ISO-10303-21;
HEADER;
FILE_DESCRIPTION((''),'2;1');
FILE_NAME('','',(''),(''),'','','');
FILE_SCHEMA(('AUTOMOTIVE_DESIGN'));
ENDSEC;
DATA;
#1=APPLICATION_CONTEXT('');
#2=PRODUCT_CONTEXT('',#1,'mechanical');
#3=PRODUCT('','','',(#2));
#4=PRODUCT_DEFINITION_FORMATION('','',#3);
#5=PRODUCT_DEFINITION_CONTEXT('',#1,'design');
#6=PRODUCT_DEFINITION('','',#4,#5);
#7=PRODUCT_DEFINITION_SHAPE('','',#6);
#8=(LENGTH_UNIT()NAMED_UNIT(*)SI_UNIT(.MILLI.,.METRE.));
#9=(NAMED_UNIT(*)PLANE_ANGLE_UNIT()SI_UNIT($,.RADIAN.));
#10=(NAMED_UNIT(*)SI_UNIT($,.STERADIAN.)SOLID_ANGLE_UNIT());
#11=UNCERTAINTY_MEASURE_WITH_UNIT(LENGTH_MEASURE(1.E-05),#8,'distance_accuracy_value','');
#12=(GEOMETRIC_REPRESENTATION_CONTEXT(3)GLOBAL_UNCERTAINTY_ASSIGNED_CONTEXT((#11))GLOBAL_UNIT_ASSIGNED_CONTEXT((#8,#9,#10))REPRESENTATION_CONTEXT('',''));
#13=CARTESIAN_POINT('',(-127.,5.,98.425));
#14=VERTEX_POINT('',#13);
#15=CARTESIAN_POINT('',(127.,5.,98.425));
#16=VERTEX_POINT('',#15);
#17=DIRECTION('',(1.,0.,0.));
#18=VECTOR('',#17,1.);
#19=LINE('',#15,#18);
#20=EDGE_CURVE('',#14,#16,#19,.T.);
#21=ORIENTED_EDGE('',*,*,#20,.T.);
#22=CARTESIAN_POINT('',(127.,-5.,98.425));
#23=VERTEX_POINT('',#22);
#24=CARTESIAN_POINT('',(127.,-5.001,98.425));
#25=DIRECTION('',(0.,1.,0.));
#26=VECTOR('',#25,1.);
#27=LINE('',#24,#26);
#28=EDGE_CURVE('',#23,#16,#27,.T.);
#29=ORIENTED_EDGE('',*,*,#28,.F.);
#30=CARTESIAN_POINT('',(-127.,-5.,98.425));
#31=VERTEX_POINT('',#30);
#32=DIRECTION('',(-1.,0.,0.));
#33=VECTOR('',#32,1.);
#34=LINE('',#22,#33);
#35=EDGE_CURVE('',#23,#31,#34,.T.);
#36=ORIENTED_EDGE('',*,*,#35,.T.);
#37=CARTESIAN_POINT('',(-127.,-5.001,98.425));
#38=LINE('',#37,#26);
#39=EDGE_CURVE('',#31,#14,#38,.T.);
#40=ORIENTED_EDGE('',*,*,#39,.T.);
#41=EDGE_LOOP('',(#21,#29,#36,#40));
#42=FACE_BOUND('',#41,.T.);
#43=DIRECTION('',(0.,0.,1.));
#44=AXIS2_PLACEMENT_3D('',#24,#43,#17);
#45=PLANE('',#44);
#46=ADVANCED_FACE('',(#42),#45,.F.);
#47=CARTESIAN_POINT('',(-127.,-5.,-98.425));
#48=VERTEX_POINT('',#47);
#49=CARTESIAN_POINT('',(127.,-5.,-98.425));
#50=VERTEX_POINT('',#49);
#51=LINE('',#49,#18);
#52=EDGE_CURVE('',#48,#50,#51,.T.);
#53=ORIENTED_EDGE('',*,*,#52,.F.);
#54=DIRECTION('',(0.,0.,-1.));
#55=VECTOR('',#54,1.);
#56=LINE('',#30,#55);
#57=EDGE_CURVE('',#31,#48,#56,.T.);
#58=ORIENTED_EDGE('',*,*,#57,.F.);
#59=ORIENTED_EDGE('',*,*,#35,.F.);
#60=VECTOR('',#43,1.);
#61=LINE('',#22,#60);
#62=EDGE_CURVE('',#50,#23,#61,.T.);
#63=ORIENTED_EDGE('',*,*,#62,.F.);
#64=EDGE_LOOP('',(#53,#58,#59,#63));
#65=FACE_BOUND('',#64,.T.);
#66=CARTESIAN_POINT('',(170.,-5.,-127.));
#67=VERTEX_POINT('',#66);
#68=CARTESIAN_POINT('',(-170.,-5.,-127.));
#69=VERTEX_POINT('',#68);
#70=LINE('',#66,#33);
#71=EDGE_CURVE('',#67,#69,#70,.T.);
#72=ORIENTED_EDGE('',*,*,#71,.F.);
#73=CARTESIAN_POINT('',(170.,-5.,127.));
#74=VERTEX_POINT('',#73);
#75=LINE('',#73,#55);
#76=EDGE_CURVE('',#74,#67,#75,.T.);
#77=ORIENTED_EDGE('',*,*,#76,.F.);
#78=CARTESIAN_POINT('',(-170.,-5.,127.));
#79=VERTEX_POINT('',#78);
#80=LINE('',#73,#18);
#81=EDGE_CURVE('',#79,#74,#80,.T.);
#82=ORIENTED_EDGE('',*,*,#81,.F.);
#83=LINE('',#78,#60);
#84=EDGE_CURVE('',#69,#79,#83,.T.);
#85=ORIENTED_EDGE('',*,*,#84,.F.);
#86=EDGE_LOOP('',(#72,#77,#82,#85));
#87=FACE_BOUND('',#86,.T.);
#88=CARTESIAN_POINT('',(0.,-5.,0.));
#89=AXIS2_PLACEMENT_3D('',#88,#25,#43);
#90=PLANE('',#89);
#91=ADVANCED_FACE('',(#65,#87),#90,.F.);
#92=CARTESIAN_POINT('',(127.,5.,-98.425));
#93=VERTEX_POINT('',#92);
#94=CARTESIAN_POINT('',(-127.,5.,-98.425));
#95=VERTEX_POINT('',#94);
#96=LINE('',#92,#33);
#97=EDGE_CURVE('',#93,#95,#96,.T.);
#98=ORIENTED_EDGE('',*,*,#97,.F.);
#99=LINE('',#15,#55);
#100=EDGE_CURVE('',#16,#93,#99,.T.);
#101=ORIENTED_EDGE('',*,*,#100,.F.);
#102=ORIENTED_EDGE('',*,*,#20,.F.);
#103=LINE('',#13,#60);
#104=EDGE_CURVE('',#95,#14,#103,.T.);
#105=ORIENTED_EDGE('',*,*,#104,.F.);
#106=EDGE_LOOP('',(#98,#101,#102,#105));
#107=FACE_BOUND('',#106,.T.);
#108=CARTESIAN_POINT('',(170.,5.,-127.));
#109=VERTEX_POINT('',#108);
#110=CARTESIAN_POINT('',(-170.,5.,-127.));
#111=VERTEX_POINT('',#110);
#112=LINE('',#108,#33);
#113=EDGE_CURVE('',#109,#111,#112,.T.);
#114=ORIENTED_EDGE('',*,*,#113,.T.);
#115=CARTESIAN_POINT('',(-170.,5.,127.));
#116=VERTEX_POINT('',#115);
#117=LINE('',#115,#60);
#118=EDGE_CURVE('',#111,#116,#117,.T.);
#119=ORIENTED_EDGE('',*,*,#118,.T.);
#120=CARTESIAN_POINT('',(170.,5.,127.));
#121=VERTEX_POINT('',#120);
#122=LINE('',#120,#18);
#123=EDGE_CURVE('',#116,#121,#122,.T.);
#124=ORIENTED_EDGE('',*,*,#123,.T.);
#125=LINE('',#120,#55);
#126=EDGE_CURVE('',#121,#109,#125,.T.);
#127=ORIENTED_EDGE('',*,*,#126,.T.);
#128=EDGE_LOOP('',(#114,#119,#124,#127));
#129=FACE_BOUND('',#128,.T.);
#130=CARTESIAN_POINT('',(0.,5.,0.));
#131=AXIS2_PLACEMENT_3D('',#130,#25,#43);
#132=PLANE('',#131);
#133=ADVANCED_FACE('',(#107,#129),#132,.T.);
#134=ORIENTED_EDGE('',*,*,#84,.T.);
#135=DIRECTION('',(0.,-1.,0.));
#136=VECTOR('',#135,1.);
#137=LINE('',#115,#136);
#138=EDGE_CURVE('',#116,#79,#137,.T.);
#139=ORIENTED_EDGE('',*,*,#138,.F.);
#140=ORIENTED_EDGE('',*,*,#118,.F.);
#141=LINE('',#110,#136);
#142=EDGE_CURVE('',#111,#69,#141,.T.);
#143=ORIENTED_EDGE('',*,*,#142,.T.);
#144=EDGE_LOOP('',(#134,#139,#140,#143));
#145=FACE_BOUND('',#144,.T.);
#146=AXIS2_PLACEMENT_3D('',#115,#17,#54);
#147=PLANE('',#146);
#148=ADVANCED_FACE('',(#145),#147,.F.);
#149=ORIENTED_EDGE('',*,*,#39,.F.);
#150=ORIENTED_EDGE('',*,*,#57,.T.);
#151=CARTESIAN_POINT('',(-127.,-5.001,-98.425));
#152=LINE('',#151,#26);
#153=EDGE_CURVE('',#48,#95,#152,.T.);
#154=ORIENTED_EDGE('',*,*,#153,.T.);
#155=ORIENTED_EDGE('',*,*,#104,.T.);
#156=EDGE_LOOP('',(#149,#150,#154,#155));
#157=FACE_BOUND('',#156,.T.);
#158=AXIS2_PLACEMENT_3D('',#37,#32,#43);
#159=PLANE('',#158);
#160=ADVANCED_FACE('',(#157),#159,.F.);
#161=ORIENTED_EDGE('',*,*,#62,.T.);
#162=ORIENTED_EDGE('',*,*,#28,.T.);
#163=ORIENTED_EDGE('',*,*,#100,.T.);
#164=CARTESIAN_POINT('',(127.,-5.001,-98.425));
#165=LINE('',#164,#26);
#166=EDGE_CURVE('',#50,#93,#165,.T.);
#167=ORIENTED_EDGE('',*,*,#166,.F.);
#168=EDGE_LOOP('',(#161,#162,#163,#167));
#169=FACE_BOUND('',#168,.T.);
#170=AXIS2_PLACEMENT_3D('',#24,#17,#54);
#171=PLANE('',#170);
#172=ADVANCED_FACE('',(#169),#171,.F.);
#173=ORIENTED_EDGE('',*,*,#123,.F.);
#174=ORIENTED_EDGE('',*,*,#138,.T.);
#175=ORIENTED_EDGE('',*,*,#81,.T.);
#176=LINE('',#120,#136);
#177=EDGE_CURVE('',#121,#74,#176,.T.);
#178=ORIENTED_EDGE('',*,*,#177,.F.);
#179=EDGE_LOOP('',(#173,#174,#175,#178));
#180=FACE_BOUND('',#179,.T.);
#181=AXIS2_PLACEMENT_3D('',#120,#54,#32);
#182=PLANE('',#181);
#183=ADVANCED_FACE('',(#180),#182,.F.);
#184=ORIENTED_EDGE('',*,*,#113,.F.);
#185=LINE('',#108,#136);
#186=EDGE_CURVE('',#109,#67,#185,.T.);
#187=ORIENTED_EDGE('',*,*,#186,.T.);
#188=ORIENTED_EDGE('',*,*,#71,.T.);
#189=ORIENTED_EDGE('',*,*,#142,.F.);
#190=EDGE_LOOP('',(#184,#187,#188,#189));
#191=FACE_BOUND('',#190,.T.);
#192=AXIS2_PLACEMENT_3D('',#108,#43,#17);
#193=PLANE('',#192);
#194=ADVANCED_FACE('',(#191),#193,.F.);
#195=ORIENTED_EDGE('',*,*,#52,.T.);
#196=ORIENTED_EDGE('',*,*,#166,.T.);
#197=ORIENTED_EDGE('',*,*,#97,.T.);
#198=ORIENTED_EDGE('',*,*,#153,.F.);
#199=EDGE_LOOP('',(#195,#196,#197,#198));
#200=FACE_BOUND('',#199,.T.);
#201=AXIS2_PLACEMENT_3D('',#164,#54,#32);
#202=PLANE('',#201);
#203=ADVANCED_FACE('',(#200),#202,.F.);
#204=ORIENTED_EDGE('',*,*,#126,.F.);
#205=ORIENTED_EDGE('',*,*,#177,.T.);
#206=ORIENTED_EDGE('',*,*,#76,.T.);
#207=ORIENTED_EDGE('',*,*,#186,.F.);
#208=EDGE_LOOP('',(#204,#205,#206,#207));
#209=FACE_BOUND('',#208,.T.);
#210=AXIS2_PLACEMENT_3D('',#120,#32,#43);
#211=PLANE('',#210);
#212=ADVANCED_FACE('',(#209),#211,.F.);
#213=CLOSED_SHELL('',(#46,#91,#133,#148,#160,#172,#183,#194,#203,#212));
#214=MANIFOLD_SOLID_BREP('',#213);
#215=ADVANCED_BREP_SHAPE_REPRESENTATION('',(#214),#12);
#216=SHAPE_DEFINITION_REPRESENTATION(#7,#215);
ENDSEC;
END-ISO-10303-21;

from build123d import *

# Parameters (mm, degrees)
SKETCH1_W           = 340
SKETCH1_H           = 254
BOSS_EXTRUDE1_DEPTH = 5
CUT_EXTRUDE1_REACH  = 12
SKETCH2_W           = 254
SKETCH2_H           = 196.85


with BuildPart() as part:
    # Sketch1 → Boss-Extrude1 (new body, symmetric)
    with BuildSketch(Plane(origin=(0, 0, 0), x_dir=(1, 0, 0), z_dir=(0, 1, 0))):
        Rectangle(SKETCH1_W, SKETCH1_H)
    extrude(amount=BOSS_EXTRUDE1_DEPTH, both=True)

    # Sketch2 → Cut-Extrude1 (cut, up to next)
    with BuildSketch(Plane(origin=(0, 5, 0), x_dir=(1, 0, 0), z_dir=(0, 1, 0)), mode=Mode.PRIVATE) as cut_extrude1_sk1:
        Rectangle(SKETCH2_W, SKETCH2_H)
    cut_extrude1_tool1 = extrude(cut_extrude1_sk1.sketch, amount=-CUT_EXTRUDE1_REACH, mode=Mode.PRIVATE) & part.part
    add(cut_extrude1_tool1.solids().sort_by_distance((0, 5, 0))[0], mode=Mode.SUBTRACT)


solid = part.part
